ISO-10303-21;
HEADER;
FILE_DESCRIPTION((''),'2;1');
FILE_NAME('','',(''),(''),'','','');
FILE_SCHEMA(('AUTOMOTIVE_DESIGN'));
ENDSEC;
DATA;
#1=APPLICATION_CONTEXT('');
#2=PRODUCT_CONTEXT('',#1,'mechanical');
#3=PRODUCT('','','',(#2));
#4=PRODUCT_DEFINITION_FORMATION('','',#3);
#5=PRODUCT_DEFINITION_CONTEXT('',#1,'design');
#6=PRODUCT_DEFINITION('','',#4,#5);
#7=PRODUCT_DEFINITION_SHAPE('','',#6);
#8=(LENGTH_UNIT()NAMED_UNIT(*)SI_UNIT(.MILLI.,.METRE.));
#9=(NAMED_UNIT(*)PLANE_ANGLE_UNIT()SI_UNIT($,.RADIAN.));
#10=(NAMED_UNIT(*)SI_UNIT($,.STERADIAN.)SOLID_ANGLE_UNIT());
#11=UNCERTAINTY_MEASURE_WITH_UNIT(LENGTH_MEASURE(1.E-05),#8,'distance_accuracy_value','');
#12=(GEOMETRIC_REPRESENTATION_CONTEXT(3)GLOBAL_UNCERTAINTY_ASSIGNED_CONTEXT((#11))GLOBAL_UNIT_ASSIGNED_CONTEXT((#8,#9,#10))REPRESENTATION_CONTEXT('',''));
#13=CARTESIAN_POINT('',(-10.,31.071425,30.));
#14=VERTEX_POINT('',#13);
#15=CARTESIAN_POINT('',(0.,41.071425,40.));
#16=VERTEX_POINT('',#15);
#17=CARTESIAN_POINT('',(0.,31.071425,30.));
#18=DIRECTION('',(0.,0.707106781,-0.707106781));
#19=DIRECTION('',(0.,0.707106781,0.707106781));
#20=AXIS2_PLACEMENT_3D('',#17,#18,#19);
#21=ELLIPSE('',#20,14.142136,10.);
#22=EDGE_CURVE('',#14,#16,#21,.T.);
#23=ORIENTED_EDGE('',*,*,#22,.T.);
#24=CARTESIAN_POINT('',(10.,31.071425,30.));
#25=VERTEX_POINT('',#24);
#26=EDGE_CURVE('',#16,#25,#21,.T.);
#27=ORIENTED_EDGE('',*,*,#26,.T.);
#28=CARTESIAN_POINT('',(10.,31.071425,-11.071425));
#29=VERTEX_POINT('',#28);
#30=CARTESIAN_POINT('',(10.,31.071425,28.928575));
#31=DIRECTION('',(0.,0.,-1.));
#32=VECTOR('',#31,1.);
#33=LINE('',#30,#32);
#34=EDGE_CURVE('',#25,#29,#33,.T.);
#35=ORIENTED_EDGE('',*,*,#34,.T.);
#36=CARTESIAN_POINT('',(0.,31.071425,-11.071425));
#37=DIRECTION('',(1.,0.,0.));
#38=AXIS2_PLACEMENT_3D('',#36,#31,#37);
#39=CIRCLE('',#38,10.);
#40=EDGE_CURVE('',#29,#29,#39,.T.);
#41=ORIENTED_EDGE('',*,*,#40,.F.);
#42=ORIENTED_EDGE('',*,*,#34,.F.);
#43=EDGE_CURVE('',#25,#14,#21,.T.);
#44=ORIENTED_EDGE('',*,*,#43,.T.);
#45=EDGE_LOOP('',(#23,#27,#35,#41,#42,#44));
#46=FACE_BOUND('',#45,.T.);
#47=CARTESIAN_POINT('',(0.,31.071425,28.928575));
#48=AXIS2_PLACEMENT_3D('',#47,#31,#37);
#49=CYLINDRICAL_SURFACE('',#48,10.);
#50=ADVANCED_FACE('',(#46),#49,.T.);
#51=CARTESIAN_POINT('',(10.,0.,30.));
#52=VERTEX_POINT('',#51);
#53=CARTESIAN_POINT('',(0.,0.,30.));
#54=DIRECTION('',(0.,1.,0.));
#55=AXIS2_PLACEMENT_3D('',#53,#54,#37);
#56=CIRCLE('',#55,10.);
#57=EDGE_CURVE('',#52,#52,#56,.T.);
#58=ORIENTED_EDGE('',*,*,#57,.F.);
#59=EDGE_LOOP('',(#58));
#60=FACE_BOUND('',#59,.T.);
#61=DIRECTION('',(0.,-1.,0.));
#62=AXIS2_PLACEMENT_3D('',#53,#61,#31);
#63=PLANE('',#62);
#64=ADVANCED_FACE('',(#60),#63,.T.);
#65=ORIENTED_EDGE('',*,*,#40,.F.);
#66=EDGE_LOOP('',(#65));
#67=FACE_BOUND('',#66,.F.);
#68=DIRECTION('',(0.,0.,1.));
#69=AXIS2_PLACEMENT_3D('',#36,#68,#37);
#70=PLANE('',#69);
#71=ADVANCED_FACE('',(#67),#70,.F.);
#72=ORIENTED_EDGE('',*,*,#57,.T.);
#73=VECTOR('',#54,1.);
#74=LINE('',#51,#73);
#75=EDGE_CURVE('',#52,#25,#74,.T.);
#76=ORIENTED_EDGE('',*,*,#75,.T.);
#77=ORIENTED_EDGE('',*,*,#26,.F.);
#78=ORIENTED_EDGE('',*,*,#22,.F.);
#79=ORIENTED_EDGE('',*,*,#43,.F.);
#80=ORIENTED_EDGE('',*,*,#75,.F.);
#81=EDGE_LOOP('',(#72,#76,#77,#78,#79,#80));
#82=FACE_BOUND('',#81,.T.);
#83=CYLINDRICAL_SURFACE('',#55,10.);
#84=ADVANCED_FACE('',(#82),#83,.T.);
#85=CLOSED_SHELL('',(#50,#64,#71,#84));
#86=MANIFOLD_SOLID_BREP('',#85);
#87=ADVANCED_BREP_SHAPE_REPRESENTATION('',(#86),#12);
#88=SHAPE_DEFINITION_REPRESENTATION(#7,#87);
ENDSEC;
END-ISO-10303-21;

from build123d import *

# Parameters (mm, degrees)
F0_R = 10


with BuildPart() as f2:
    # F2: sweep along a path in F1
    with BuildLine(Plane.YZ) as f2_path:
        Line((0, 28.9285748253), (30, 28.9285748253))
        Line((30, 28.9285748253), (30, -11.0714251747))
    # F0 (on Front) → F2 (sweep)
    with BuildSketch(Plane.XZ):
        with Locations((0, 30)):
            Circle(F0_R)
    sweep(path=f2_path.line, transition=Transition.RIGHT)


solid = f2.part
